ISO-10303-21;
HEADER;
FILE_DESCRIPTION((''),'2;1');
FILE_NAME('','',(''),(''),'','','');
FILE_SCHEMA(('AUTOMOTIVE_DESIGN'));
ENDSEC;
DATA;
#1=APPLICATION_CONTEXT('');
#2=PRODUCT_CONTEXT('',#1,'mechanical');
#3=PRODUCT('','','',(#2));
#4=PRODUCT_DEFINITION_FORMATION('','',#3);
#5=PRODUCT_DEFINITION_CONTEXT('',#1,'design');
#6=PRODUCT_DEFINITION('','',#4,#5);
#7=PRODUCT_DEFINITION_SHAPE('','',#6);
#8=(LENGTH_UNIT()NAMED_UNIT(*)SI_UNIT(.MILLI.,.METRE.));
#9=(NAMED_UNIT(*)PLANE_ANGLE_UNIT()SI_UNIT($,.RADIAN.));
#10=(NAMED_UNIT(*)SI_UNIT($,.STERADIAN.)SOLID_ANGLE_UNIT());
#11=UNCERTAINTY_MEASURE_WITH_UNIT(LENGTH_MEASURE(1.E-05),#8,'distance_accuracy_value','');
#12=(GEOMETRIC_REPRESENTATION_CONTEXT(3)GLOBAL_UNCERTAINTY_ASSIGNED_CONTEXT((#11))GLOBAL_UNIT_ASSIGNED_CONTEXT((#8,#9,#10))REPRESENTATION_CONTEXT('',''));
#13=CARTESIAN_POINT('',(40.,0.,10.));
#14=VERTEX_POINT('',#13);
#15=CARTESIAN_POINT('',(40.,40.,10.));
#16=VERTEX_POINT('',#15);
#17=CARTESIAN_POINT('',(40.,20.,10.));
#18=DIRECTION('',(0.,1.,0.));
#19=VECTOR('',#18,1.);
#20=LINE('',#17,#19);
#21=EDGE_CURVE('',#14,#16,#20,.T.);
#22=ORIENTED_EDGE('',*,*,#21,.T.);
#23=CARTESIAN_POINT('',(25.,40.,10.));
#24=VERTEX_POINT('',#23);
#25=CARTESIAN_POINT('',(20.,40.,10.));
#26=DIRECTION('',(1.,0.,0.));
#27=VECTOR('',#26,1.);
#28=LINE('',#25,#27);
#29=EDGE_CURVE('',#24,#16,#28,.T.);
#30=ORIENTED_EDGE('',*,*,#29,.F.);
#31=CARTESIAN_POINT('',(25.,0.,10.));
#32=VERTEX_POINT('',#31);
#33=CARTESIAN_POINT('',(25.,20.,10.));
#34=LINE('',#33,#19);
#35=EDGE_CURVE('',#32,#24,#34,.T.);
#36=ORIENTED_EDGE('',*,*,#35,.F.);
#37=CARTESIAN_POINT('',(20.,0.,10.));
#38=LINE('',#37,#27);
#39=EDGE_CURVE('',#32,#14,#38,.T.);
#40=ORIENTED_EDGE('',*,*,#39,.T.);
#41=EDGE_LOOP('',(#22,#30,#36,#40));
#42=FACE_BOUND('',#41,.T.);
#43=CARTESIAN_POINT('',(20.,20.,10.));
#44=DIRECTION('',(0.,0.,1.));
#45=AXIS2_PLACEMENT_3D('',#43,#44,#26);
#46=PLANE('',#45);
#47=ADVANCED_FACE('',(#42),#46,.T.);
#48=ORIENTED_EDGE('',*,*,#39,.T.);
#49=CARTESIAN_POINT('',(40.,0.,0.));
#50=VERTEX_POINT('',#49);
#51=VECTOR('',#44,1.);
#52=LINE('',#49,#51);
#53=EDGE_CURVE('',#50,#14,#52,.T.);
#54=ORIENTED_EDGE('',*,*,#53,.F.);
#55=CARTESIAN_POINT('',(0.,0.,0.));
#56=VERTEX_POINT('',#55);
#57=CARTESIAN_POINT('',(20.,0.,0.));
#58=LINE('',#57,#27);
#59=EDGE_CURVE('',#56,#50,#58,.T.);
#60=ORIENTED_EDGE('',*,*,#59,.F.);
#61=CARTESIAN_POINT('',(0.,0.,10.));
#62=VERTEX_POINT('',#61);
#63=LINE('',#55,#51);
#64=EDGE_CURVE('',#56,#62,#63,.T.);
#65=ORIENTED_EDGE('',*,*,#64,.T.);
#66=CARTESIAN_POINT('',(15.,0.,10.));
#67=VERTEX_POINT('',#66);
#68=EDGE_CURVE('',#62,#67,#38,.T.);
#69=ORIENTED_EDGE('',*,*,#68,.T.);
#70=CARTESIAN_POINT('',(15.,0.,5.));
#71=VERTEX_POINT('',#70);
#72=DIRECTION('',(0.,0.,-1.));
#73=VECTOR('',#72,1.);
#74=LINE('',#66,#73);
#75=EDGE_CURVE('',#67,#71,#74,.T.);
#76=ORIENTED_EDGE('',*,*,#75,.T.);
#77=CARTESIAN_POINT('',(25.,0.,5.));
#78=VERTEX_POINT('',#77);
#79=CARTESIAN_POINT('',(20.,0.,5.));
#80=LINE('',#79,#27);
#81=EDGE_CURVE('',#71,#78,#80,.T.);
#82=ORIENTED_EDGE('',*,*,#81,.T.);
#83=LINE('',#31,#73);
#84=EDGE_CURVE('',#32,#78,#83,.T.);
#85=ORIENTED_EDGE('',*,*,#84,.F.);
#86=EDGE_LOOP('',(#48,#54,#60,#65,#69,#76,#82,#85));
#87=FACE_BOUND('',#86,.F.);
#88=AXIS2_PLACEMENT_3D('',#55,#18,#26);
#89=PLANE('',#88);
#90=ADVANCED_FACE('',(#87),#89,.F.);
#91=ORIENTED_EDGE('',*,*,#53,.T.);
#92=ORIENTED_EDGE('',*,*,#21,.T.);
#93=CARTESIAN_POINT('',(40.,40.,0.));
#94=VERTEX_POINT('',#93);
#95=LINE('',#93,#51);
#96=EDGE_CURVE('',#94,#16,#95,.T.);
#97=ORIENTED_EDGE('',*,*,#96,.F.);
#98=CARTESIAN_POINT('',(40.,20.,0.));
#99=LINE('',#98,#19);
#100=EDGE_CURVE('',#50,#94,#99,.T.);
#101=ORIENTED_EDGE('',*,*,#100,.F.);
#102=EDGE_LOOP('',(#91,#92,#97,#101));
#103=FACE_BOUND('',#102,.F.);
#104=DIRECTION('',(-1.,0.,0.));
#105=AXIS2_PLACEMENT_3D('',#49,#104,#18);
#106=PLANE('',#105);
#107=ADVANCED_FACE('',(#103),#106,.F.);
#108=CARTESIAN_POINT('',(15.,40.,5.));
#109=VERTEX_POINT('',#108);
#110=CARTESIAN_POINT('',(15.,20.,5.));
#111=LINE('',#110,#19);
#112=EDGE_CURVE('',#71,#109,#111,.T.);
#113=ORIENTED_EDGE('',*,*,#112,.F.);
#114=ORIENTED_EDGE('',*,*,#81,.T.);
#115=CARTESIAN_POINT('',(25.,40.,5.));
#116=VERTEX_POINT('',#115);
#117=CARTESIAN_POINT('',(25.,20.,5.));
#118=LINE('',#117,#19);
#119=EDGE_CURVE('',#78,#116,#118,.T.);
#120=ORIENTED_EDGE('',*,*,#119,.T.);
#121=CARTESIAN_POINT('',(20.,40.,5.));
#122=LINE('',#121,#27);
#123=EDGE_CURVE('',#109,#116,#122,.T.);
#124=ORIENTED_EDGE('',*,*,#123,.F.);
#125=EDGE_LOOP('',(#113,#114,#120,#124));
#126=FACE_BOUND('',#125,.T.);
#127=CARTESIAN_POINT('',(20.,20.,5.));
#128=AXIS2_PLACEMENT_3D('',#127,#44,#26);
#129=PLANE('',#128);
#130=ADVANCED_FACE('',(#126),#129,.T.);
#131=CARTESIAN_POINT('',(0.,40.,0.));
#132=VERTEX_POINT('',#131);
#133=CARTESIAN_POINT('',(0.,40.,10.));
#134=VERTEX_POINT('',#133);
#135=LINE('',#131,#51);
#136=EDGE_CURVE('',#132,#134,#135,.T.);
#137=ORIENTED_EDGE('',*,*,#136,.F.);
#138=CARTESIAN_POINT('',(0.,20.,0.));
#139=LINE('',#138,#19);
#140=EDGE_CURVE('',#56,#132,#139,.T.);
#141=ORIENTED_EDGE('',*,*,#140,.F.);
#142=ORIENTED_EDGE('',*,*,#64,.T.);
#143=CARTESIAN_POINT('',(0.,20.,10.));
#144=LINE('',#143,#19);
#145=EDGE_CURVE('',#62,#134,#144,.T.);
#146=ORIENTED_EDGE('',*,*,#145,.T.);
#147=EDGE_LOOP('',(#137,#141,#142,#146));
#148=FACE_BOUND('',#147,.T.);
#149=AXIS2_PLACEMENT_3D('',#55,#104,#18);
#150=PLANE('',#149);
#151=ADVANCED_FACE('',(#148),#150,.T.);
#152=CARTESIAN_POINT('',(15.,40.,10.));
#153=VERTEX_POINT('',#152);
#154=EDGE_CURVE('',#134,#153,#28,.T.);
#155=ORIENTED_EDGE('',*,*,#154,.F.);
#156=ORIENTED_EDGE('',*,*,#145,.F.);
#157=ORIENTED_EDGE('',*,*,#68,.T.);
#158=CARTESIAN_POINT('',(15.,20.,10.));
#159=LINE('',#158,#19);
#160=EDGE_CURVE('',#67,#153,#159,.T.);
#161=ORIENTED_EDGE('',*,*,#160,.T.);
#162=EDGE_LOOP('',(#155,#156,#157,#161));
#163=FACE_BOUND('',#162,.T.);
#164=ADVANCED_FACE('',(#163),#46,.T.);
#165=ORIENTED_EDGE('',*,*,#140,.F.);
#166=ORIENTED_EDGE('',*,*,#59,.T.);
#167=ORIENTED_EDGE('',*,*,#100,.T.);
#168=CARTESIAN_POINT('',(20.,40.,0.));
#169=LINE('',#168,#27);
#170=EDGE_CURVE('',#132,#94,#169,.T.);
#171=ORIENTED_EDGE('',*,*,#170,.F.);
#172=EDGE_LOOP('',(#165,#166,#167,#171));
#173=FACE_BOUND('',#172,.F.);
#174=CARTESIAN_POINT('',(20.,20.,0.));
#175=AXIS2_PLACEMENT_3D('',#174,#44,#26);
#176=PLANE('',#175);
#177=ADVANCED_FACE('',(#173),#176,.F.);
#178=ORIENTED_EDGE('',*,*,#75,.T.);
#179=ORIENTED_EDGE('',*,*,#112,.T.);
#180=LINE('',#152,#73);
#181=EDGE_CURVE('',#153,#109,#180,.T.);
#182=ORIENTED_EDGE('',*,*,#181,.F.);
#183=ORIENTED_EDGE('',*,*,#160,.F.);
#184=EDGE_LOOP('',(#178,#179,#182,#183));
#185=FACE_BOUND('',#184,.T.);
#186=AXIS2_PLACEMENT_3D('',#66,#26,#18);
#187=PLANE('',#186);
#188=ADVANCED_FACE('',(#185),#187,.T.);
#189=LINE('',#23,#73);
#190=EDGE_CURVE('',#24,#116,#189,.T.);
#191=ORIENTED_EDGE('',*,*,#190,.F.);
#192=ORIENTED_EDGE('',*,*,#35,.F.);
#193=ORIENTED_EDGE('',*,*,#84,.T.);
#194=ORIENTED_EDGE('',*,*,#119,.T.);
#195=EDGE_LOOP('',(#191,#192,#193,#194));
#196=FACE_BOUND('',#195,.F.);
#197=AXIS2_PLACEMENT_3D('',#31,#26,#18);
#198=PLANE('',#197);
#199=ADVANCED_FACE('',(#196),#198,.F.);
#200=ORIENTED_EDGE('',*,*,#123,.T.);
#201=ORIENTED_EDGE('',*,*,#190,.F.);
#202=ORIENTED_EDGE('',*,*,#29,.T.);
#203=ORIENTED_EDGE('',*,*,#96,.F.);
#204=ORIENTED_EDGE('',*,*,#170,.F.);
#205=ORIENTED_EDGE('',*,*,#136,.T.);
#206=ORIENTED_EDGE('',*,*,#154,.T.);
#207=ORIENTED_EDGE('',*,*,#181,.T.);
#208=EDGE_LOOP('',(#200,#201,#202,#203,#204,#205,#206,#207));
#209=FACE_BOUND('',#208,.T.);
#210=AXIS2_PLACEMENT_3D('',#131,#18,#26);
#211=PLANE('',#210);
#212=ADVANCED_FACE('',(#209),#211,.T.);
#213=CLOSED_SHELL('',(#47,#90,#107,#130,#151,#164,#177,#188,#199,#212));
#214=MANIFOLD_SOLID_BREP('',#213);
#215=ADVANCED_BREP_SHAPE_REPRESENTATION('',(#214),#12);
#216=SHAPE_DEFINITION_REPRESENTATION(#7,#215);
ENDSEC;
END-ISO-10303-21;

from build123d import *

# Parameters (mm, degrees)
SKETCH_W     = 40
SKETCH_H     = 40
PAD_DEPTH    = 10
SKETCH001_W  = 10
SKETCH001_H  = 40
POCKET_DEPTH = 5


with BuildPart() as part:
    # Sketch → Pad (new body)
    with BuildSketch(Plane.XY):
        with Locations((20, 20)):
            Rectangle(SKETCH_W, SKETCH_H)
    extrude(amount=PAD_DEPTH)

    # Sketch001 (on Face6 of Pad) → Pocket (cut)
    with BuildSketch(Plane.XY.offset(10)):
        with Locations((20, 20)):
            Rectangle(SKETCH001_W, SKETCH001_H)
    extrude(amount=-POCKET_DEPTH, mode=Mode.SUBTRACT)


solid = part.part
